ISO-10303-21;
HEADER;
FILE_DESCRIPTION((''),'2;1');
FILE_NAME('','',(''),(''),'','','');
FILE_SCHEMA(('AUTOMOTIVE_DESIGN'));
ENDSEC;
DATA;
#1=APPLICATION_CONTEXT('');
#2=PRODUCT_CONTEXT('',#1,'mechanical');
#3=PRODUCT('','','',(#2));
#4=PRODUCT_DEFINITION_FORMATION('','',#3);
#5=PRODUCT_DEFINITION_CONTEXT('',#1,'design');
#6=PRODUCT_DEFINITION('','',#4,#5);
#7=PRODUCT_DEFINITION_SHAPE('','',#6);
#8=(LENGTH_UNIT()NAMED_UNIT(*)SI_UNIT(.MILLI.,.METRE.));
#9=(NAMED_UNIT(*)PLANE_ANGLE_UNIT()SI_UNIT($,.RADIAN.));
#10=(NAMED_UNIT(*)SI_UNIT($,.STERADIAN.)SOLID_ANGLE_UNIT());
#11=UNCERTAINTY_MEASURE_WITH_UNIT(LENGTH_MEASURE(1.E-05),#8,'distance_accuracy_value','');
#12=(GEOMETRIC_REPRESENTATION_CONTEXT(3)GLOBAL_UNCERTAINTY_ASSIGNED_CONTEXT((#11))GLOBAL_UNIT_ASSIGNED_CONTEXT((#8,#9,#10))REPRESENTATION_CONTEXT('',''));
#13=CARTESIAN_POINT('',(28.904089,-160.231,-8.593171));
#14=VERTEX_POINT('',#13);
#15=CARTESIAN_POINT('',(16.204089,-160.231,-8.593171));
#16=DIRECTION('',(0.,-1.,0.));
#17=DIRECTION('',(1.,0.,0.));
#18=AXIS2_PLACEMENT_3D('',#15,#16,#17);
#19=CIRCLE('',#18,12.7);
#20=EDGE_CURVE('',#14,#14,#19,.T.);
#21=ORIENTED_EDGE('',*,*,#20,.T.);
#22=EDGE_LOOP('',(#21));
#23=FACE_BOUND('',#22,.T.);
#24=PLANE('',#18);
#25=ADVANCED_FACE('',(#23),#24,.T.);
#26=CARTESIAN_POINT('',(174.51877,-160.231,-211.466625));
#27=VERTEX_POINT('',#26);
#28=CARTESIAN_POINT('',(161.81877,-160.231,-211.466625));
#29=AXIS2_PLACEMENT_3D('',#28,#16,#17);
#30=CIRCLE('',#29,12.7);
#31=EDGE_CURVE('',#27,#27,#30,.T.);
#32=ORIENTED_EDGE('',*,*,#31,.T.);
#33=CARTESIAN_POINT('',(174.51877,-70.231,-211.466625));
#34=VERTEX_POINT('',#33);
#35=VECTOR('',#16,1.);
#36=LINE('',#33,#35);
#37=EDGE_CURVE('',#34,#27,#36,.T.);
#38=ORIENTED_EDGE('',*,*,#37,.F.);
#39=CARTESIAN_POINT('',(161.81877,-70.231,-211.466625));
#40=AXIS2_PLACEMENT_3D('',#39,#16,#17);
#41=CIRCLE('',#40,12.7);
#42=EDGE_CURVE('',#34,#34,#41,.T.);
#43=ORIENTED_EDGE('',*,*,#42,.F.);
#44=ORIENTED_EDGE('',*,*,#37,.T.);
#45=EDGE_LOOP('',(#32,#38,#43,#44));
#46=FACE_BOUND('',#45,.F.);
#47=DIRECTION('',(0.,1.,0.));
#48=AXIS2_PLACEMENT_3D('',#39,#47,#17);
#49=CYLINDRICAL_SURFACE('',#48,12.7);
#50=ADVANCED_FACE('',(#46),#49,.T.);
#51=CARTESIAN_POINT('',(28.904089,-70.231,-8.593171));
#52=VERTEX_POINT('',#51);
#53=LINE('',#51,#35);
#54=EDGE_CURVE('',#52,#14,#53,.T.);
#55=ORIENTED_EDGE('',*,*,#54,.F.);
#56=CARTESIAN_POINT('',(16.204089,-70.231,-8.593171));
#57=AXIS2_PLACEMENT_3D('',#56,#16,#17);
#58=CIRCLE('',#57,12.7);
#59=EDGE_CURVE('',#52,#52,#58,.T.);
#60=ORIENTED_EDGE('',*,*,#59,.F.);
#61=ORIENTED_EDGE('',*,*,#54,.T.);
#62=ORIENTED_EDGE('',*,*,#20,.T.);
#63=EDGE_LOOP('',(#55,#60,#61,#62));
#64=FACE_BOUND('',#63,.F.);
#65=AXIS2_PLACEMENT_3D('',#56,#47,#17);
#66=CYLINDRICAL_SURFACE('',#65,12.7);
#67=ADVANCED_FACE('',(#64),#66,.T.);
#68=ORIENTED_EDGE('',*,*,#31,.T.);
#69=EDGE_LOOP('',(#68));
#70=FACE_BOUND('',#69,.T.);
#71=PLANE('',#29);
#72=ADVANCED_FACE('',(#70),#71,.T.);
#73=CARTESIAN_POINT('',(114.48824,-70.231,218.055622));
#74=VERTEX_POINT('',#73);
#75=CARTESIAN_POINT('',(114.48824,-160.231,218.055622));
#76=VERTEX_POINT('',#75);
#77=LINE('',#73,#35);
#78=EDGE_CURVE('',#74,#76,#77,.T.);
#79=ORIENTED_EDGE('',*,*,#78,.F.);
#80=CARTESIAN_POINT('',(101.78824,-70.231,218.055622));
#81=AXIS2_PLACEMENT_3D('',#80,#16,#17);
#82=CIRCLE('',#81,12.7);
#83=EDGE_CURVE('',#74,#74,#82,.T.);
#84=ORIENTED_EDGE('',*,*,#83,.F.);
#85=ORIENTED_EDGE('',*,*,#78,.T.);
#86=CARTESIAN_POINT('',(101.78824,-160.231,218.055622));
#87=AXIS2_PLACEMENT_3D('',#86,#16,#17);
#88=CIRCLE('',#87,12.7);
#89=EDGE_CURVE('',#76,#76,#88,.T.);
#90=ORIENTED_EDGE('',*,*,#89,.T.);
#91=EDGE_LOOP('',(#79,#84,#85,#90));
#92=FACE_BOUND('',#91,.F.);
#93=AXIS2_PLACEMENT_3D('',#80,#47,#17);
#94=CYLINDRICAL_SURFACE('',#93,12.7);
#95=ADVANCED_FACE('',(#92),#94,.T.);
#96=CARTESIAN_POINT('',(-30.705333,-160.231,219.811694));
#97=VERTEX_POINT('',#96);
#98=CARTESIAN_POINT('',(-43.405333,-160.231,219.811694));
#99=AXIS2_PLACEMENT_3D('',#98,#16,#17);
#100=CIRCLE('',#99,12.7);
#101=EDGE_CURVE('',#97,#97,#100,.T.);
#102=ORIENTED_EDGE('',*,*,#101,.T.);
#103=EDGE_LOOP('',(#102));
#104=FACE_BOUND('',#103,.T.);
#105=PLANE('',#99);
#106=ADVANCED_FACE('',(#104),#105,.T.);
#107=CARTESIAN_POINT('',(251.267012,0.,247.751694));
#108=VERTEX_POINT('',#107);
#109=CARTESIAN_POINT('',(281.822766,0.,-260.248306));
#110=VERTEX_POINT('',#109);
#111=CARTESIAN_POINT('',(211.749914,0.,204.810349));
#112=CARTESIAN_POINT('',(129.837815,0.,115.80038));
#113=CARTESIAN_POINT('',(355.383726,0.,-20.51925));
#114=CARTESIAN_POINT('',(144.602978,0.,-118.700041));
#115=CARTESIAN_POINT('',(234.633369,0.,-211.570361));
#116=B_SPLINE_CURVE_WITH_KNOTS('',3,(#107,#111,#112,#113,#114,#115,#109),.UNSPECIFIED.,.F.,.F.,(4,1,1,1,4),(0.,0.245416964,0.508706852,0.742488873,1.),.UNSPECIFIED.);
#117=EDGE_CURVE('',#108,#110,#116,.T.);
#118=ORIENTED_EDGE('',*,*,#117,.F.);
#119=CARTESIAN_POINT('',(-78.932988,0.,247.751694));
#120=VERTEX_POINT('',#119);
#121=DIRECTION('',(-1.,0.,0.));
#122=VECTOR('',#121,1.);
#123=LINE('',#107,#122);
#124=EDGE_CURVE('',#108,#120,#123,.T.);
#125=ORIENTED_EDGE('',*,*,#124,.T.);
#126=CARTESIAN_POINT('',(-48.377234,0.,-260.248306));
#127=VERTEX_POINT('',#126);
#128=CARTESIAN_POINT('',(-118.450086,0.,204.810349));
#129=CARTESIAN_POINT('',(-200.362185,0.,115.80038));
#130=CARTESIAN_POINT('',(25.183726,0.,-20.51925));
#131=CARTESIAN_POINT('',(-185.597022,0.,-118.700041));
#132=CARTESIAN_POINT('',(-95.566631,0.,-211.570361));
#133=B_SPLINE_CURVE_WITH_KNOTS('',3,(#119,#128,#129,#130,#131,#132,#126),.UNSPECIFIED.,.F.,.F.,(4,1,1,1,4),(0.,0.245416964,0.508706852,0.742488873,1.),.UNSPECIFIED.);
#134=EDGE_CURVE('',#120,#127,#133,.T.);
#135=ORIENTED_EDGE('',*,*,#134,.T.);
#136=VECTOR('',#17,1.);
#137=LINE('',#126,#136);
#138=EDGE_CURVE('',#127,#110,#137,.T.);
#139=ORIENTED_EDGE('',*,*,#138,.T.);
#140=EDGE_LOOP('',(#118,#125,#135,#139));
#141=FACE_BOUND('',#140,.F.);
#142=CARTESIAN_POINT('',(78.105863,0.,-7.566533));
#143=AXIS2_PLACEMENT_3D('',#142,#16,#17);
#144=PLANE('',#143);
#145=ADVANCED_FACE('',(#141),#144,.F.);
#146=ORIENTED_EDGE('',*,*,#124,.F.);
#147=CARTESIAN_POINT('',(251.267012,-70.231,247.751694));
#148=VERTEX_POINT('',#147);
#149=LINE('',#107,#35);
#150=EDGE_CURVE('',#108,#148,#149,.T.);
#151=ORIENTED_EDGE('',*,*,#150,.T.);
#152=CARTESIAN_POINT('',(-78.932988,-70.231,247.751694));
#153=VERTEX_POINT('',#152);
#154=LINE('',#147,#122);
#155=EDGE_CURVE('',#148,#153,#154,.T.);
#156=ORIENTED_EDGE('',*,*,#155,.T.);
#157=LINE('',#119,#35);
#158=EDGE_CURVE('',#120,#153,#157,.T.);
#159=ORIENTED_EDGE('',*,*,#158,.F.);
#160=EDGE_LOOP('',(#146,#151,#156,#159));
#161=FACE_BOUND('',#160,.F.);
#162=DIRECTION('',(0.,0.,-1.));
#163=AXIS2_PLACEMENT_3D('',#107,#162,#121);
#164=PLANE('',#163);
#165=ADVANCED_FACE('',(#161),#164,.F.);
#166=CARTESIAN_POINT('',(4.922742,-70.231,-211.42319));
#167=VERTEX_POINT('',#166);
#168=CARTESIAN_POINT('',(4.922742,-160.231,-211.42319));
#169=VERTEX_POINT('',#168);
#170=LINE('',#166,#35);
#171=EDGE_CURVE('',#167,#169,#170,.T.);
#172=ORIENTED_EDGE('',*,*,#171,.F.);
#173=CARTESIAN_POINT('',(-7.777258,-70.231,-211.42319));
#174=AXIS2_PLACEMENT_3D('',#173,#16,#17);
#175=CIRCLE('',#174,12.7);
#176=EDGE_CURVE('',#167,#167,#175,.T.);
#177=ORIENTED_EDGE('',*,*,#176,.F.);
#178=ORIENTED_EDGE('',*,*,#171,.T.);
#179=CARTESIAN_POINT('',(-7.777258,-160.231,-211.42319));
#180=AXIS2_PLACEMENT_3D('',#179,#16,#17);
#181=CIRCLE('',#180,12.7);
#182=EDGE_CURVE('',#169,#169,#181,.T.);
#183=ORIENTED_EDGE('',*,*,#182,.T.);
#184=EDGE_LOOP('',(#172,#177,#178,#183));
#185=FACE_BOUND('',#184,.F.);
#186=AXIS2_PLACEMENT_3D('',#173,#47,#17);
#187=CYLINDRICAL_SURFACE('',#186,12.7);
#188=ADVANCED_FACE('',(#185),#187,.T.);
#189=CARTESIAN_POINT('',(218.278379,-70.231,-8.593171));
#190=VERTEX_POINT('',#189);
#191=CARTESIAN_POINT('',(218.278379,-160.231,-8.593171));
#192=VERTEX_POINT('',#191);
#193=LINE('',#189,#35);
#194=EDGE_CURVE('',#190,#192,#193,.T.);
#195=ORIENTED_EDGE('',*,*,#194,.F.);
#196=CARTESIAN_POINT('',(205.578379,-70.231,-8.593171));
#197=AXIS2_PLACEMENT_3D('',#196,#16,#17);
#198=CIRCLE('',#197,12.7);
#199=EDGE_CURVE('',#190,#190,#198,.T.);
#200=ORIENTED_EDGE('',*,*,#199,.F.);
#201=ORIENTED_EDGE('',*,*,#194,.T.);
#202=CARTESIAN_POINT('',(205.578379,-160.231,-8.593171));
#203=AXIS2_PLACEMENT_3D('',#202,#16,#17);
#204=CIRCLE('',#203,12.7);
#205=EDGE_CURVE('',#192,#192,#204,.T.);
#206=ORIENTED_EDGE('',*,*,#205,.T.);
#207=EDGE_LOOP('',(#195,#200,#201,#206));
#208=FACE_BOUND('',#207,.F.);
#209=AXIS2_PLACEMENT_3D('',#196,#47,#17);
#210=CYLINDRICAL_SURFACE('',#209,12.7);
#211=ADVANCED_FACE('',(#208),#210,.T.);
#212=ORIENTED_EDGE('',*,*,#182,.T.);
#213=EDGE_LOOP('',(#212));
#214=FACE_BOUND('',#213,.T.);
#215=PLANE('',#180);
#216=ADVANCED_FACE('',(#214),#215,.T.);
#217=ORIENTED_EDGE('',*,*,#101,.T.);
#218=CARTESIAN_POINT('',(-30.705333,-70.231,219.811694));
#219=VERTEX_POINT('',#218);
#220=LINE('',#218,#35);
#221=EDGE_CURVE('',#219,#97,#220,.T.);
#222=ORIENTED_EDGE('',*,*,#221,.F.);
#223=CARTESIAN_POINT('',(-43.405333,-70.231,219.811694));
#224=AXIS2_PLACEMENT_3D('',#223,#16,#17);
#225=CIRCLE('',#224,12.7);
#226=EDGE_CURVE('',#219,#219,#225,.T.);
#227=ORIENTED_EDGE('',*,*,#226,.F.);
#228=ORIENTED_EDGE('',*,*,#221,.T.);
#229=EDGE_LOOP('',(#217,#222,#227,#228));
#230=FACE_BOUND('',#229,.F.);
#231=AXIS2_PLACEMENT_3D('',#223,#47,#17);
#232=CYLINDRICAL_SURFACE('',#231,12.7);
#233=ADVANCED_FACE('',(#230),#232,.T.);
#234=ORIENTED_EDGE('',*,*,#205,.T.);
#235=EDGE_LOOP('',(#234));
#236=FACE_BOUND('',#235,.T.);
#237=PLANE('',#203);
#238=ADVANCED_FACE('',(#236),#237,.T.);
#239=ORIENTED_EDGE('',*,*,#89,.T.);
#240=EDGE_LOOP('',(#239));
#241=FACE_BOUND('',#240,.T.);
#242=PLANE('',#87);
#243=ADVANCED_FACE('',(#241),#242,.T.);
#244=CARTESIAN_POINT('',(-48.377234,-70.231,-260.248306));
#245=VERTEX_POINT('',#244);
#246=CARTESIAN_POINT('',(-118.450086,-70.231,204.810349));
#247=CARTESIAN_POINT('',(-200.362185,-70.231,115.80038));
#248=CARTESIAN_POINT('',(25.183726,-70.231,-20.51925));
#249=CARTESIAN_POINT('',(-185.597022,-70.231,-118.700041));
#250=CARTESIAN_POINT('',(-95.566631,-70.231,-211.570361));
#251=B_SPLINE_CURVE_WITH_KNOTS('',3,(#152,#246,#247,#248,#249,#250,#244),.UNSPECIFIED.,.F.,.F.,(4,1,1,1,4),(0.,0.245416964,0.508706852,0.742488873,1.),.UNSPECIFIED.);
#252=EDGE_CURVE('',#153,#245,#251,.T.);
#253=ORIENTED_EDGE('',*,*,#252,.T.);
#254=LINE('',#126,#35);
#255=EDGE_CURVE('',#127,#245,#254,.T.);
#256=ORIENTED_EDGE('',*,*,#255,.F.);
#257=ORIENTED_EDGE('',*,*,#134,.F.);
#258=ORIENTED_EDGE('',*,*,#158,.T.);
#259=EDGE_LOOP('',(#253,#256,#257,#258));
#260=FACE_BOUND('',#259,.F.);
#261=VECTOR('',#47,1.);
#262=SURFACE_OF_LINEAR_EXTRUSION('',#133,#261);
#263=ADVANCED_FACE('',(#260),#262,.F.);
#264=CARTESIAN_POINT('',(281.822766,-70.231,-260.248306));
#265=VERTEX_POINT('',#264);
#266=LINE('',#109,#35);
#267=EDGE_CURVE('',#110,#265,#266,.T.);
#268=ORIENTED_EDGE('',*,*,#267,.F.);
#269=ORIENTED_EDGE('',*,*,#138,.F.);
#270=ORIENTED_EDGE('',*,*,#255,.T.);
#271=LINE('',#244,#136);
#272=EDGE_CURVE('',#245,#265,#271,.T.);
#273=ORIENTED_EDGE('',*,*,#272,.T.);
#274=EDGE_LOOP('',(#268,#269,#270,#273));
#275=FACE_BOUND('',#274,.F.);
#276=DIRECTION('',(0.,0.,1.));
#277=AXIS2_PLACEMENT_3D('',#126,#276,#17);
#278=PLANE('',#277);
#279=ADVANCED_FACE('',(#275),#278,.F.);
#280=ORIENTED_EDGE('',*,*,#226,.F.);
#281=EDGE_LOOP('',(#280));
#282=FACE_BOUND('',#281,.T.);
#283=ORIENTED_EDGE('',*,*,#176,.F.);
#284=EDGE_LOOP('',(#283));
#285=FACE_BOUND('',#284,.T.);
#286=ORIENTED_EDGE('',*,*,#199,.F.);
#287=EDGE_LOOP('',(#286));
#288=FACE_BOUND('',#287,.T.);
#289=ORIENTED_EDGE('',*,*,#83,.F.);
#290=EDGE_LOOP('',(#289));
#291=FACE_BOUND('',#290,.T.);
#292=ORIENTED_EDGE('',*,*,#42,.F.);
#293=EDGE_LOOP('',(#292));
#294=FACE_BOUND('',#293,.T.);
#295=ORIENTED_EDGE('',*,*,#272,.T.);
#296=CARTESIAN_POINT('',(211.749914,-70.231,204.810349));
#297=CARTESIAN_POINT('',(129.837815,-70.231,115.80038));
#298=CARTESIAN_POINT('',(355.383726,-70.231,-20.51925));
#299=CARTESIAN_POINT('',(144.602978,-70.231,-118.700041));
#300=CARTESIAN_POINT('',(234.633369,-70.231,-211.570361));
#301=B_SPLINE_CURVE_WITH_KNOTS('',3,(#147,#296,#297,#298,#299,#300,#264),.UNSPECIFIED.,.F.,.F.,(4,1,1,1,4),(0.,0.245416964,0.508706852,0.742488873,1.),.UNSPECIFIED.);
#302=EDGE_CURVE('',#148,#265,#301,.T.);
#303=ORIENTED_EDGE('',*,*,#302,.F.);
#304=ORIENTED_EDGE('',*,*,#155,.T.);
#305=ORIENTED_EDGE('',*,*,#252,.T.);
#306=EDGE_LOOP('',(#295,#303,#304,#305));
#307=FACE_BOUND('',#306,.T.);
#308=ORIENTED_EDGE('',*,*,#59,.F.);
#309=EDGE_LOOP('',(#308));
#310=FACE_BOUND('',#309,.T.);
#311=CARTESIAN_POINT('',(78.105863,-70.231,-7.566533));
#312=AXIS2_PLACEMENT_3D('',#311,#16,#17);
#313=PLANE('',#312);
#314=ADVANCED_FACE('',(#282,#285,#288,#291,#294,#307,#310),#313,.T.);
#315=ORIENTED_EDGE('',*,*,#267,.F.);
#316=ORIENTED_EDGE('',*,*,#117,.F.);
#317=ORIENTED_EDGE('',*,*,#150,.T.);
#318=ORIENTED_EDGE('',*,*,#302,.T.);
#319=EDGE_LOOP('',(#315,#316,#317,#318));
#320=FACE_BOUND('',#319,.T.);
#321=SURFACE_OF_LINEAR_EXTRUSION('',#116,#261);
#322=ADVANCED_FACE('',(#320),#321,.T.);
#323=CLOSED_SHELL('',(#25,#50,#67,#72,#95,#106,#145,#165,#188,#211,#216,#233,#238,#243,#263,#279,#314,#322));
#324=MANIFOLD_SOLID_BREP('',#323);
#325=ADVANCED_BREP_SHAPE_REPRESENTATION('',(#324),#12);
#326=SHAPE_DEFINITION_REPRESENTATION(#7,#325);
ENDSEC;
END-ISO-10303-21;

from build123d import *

# Parameters (mm, degrees)
F1_DEPTH = 70.231
F2_R     = 12.7
F3_DEPTH = 90


with BuildPart() as f1:
    # F0 (on Front) → F1 (new body)
    with BuildSketch(Plane.XZ):
        with BuildLine():
            Line((251.2670120408, 247.751693517), (-78.9329879592, 247.751693517))
            add(Edge.make_bspline(
                [(-78.9329879592, 247.751693517), (-118.4500863393, 204.8103487339), (-200.3621854776, 115.8003800066), (25.1837263388, -20.5192498905), (-185.5970216319, -118.7000407816), (-95.5666307907, -211.5703613415), (-48.3772337904, -260.248306483)],
                knots=[0, 0, 0, 0, 0.2454169643, 0.5087068519, 0.742488873, 1, 1, 1, 1], degree=3))
            Line((-48.3772337904, -260.248306483), (281.8227662096, -260.248306483))
            add(Edge.make_bspline(
                [(251.2670120408, 247.751693517), (211.7499136607, 204.8103487339), (129.8378145224, 115.8003800066), (355.3837263388, -20.5192498905), (144.6029783681, -118.7000407816), (234.6333692093, -211.5703613415), (281.8227662096, -260.248306483)],
                knots=[0, 0, 0, 0, 0.2454169643, 0.5087068519, 0.742488873, 1, 1, 1, 1], degree=3))
        make_face()
    extrude(amount=F1_DEPTH)

    # F2 (on face) → F3 (join)
    with BuildSketch(Plane.XZ.offset(70.231)):
        with Locations((-43.4053327055, 219.811693517)):
            Circle(F2_R)
        with BuildLine():
            ThreePointArc((192.8783785065, -8.5931712189), (205.5783785065, -21.2931712189), (218.2783785065, -8.5931712189))
            ThreePointArc((218.2783785065, -8.5931712189), (205.5783785065, 4.1068287811), (192.8783785065, -8.5931712189))
        make_face()
        with Locations((16.2040890428, -8.5931712189)):
            Circle(F2_R)
        with Locations((101.7882398762, 218.055621855)):
            Circle(F2_R)
        with Locations((161.8187696549, -211.4666253835)):
            Circle(F2_R)
        with Locations((-7.777258361, -211.4231900456)):
            Circle(F2_R)
    extrude(amount=F3_DEPTH)


solid = f1.part
